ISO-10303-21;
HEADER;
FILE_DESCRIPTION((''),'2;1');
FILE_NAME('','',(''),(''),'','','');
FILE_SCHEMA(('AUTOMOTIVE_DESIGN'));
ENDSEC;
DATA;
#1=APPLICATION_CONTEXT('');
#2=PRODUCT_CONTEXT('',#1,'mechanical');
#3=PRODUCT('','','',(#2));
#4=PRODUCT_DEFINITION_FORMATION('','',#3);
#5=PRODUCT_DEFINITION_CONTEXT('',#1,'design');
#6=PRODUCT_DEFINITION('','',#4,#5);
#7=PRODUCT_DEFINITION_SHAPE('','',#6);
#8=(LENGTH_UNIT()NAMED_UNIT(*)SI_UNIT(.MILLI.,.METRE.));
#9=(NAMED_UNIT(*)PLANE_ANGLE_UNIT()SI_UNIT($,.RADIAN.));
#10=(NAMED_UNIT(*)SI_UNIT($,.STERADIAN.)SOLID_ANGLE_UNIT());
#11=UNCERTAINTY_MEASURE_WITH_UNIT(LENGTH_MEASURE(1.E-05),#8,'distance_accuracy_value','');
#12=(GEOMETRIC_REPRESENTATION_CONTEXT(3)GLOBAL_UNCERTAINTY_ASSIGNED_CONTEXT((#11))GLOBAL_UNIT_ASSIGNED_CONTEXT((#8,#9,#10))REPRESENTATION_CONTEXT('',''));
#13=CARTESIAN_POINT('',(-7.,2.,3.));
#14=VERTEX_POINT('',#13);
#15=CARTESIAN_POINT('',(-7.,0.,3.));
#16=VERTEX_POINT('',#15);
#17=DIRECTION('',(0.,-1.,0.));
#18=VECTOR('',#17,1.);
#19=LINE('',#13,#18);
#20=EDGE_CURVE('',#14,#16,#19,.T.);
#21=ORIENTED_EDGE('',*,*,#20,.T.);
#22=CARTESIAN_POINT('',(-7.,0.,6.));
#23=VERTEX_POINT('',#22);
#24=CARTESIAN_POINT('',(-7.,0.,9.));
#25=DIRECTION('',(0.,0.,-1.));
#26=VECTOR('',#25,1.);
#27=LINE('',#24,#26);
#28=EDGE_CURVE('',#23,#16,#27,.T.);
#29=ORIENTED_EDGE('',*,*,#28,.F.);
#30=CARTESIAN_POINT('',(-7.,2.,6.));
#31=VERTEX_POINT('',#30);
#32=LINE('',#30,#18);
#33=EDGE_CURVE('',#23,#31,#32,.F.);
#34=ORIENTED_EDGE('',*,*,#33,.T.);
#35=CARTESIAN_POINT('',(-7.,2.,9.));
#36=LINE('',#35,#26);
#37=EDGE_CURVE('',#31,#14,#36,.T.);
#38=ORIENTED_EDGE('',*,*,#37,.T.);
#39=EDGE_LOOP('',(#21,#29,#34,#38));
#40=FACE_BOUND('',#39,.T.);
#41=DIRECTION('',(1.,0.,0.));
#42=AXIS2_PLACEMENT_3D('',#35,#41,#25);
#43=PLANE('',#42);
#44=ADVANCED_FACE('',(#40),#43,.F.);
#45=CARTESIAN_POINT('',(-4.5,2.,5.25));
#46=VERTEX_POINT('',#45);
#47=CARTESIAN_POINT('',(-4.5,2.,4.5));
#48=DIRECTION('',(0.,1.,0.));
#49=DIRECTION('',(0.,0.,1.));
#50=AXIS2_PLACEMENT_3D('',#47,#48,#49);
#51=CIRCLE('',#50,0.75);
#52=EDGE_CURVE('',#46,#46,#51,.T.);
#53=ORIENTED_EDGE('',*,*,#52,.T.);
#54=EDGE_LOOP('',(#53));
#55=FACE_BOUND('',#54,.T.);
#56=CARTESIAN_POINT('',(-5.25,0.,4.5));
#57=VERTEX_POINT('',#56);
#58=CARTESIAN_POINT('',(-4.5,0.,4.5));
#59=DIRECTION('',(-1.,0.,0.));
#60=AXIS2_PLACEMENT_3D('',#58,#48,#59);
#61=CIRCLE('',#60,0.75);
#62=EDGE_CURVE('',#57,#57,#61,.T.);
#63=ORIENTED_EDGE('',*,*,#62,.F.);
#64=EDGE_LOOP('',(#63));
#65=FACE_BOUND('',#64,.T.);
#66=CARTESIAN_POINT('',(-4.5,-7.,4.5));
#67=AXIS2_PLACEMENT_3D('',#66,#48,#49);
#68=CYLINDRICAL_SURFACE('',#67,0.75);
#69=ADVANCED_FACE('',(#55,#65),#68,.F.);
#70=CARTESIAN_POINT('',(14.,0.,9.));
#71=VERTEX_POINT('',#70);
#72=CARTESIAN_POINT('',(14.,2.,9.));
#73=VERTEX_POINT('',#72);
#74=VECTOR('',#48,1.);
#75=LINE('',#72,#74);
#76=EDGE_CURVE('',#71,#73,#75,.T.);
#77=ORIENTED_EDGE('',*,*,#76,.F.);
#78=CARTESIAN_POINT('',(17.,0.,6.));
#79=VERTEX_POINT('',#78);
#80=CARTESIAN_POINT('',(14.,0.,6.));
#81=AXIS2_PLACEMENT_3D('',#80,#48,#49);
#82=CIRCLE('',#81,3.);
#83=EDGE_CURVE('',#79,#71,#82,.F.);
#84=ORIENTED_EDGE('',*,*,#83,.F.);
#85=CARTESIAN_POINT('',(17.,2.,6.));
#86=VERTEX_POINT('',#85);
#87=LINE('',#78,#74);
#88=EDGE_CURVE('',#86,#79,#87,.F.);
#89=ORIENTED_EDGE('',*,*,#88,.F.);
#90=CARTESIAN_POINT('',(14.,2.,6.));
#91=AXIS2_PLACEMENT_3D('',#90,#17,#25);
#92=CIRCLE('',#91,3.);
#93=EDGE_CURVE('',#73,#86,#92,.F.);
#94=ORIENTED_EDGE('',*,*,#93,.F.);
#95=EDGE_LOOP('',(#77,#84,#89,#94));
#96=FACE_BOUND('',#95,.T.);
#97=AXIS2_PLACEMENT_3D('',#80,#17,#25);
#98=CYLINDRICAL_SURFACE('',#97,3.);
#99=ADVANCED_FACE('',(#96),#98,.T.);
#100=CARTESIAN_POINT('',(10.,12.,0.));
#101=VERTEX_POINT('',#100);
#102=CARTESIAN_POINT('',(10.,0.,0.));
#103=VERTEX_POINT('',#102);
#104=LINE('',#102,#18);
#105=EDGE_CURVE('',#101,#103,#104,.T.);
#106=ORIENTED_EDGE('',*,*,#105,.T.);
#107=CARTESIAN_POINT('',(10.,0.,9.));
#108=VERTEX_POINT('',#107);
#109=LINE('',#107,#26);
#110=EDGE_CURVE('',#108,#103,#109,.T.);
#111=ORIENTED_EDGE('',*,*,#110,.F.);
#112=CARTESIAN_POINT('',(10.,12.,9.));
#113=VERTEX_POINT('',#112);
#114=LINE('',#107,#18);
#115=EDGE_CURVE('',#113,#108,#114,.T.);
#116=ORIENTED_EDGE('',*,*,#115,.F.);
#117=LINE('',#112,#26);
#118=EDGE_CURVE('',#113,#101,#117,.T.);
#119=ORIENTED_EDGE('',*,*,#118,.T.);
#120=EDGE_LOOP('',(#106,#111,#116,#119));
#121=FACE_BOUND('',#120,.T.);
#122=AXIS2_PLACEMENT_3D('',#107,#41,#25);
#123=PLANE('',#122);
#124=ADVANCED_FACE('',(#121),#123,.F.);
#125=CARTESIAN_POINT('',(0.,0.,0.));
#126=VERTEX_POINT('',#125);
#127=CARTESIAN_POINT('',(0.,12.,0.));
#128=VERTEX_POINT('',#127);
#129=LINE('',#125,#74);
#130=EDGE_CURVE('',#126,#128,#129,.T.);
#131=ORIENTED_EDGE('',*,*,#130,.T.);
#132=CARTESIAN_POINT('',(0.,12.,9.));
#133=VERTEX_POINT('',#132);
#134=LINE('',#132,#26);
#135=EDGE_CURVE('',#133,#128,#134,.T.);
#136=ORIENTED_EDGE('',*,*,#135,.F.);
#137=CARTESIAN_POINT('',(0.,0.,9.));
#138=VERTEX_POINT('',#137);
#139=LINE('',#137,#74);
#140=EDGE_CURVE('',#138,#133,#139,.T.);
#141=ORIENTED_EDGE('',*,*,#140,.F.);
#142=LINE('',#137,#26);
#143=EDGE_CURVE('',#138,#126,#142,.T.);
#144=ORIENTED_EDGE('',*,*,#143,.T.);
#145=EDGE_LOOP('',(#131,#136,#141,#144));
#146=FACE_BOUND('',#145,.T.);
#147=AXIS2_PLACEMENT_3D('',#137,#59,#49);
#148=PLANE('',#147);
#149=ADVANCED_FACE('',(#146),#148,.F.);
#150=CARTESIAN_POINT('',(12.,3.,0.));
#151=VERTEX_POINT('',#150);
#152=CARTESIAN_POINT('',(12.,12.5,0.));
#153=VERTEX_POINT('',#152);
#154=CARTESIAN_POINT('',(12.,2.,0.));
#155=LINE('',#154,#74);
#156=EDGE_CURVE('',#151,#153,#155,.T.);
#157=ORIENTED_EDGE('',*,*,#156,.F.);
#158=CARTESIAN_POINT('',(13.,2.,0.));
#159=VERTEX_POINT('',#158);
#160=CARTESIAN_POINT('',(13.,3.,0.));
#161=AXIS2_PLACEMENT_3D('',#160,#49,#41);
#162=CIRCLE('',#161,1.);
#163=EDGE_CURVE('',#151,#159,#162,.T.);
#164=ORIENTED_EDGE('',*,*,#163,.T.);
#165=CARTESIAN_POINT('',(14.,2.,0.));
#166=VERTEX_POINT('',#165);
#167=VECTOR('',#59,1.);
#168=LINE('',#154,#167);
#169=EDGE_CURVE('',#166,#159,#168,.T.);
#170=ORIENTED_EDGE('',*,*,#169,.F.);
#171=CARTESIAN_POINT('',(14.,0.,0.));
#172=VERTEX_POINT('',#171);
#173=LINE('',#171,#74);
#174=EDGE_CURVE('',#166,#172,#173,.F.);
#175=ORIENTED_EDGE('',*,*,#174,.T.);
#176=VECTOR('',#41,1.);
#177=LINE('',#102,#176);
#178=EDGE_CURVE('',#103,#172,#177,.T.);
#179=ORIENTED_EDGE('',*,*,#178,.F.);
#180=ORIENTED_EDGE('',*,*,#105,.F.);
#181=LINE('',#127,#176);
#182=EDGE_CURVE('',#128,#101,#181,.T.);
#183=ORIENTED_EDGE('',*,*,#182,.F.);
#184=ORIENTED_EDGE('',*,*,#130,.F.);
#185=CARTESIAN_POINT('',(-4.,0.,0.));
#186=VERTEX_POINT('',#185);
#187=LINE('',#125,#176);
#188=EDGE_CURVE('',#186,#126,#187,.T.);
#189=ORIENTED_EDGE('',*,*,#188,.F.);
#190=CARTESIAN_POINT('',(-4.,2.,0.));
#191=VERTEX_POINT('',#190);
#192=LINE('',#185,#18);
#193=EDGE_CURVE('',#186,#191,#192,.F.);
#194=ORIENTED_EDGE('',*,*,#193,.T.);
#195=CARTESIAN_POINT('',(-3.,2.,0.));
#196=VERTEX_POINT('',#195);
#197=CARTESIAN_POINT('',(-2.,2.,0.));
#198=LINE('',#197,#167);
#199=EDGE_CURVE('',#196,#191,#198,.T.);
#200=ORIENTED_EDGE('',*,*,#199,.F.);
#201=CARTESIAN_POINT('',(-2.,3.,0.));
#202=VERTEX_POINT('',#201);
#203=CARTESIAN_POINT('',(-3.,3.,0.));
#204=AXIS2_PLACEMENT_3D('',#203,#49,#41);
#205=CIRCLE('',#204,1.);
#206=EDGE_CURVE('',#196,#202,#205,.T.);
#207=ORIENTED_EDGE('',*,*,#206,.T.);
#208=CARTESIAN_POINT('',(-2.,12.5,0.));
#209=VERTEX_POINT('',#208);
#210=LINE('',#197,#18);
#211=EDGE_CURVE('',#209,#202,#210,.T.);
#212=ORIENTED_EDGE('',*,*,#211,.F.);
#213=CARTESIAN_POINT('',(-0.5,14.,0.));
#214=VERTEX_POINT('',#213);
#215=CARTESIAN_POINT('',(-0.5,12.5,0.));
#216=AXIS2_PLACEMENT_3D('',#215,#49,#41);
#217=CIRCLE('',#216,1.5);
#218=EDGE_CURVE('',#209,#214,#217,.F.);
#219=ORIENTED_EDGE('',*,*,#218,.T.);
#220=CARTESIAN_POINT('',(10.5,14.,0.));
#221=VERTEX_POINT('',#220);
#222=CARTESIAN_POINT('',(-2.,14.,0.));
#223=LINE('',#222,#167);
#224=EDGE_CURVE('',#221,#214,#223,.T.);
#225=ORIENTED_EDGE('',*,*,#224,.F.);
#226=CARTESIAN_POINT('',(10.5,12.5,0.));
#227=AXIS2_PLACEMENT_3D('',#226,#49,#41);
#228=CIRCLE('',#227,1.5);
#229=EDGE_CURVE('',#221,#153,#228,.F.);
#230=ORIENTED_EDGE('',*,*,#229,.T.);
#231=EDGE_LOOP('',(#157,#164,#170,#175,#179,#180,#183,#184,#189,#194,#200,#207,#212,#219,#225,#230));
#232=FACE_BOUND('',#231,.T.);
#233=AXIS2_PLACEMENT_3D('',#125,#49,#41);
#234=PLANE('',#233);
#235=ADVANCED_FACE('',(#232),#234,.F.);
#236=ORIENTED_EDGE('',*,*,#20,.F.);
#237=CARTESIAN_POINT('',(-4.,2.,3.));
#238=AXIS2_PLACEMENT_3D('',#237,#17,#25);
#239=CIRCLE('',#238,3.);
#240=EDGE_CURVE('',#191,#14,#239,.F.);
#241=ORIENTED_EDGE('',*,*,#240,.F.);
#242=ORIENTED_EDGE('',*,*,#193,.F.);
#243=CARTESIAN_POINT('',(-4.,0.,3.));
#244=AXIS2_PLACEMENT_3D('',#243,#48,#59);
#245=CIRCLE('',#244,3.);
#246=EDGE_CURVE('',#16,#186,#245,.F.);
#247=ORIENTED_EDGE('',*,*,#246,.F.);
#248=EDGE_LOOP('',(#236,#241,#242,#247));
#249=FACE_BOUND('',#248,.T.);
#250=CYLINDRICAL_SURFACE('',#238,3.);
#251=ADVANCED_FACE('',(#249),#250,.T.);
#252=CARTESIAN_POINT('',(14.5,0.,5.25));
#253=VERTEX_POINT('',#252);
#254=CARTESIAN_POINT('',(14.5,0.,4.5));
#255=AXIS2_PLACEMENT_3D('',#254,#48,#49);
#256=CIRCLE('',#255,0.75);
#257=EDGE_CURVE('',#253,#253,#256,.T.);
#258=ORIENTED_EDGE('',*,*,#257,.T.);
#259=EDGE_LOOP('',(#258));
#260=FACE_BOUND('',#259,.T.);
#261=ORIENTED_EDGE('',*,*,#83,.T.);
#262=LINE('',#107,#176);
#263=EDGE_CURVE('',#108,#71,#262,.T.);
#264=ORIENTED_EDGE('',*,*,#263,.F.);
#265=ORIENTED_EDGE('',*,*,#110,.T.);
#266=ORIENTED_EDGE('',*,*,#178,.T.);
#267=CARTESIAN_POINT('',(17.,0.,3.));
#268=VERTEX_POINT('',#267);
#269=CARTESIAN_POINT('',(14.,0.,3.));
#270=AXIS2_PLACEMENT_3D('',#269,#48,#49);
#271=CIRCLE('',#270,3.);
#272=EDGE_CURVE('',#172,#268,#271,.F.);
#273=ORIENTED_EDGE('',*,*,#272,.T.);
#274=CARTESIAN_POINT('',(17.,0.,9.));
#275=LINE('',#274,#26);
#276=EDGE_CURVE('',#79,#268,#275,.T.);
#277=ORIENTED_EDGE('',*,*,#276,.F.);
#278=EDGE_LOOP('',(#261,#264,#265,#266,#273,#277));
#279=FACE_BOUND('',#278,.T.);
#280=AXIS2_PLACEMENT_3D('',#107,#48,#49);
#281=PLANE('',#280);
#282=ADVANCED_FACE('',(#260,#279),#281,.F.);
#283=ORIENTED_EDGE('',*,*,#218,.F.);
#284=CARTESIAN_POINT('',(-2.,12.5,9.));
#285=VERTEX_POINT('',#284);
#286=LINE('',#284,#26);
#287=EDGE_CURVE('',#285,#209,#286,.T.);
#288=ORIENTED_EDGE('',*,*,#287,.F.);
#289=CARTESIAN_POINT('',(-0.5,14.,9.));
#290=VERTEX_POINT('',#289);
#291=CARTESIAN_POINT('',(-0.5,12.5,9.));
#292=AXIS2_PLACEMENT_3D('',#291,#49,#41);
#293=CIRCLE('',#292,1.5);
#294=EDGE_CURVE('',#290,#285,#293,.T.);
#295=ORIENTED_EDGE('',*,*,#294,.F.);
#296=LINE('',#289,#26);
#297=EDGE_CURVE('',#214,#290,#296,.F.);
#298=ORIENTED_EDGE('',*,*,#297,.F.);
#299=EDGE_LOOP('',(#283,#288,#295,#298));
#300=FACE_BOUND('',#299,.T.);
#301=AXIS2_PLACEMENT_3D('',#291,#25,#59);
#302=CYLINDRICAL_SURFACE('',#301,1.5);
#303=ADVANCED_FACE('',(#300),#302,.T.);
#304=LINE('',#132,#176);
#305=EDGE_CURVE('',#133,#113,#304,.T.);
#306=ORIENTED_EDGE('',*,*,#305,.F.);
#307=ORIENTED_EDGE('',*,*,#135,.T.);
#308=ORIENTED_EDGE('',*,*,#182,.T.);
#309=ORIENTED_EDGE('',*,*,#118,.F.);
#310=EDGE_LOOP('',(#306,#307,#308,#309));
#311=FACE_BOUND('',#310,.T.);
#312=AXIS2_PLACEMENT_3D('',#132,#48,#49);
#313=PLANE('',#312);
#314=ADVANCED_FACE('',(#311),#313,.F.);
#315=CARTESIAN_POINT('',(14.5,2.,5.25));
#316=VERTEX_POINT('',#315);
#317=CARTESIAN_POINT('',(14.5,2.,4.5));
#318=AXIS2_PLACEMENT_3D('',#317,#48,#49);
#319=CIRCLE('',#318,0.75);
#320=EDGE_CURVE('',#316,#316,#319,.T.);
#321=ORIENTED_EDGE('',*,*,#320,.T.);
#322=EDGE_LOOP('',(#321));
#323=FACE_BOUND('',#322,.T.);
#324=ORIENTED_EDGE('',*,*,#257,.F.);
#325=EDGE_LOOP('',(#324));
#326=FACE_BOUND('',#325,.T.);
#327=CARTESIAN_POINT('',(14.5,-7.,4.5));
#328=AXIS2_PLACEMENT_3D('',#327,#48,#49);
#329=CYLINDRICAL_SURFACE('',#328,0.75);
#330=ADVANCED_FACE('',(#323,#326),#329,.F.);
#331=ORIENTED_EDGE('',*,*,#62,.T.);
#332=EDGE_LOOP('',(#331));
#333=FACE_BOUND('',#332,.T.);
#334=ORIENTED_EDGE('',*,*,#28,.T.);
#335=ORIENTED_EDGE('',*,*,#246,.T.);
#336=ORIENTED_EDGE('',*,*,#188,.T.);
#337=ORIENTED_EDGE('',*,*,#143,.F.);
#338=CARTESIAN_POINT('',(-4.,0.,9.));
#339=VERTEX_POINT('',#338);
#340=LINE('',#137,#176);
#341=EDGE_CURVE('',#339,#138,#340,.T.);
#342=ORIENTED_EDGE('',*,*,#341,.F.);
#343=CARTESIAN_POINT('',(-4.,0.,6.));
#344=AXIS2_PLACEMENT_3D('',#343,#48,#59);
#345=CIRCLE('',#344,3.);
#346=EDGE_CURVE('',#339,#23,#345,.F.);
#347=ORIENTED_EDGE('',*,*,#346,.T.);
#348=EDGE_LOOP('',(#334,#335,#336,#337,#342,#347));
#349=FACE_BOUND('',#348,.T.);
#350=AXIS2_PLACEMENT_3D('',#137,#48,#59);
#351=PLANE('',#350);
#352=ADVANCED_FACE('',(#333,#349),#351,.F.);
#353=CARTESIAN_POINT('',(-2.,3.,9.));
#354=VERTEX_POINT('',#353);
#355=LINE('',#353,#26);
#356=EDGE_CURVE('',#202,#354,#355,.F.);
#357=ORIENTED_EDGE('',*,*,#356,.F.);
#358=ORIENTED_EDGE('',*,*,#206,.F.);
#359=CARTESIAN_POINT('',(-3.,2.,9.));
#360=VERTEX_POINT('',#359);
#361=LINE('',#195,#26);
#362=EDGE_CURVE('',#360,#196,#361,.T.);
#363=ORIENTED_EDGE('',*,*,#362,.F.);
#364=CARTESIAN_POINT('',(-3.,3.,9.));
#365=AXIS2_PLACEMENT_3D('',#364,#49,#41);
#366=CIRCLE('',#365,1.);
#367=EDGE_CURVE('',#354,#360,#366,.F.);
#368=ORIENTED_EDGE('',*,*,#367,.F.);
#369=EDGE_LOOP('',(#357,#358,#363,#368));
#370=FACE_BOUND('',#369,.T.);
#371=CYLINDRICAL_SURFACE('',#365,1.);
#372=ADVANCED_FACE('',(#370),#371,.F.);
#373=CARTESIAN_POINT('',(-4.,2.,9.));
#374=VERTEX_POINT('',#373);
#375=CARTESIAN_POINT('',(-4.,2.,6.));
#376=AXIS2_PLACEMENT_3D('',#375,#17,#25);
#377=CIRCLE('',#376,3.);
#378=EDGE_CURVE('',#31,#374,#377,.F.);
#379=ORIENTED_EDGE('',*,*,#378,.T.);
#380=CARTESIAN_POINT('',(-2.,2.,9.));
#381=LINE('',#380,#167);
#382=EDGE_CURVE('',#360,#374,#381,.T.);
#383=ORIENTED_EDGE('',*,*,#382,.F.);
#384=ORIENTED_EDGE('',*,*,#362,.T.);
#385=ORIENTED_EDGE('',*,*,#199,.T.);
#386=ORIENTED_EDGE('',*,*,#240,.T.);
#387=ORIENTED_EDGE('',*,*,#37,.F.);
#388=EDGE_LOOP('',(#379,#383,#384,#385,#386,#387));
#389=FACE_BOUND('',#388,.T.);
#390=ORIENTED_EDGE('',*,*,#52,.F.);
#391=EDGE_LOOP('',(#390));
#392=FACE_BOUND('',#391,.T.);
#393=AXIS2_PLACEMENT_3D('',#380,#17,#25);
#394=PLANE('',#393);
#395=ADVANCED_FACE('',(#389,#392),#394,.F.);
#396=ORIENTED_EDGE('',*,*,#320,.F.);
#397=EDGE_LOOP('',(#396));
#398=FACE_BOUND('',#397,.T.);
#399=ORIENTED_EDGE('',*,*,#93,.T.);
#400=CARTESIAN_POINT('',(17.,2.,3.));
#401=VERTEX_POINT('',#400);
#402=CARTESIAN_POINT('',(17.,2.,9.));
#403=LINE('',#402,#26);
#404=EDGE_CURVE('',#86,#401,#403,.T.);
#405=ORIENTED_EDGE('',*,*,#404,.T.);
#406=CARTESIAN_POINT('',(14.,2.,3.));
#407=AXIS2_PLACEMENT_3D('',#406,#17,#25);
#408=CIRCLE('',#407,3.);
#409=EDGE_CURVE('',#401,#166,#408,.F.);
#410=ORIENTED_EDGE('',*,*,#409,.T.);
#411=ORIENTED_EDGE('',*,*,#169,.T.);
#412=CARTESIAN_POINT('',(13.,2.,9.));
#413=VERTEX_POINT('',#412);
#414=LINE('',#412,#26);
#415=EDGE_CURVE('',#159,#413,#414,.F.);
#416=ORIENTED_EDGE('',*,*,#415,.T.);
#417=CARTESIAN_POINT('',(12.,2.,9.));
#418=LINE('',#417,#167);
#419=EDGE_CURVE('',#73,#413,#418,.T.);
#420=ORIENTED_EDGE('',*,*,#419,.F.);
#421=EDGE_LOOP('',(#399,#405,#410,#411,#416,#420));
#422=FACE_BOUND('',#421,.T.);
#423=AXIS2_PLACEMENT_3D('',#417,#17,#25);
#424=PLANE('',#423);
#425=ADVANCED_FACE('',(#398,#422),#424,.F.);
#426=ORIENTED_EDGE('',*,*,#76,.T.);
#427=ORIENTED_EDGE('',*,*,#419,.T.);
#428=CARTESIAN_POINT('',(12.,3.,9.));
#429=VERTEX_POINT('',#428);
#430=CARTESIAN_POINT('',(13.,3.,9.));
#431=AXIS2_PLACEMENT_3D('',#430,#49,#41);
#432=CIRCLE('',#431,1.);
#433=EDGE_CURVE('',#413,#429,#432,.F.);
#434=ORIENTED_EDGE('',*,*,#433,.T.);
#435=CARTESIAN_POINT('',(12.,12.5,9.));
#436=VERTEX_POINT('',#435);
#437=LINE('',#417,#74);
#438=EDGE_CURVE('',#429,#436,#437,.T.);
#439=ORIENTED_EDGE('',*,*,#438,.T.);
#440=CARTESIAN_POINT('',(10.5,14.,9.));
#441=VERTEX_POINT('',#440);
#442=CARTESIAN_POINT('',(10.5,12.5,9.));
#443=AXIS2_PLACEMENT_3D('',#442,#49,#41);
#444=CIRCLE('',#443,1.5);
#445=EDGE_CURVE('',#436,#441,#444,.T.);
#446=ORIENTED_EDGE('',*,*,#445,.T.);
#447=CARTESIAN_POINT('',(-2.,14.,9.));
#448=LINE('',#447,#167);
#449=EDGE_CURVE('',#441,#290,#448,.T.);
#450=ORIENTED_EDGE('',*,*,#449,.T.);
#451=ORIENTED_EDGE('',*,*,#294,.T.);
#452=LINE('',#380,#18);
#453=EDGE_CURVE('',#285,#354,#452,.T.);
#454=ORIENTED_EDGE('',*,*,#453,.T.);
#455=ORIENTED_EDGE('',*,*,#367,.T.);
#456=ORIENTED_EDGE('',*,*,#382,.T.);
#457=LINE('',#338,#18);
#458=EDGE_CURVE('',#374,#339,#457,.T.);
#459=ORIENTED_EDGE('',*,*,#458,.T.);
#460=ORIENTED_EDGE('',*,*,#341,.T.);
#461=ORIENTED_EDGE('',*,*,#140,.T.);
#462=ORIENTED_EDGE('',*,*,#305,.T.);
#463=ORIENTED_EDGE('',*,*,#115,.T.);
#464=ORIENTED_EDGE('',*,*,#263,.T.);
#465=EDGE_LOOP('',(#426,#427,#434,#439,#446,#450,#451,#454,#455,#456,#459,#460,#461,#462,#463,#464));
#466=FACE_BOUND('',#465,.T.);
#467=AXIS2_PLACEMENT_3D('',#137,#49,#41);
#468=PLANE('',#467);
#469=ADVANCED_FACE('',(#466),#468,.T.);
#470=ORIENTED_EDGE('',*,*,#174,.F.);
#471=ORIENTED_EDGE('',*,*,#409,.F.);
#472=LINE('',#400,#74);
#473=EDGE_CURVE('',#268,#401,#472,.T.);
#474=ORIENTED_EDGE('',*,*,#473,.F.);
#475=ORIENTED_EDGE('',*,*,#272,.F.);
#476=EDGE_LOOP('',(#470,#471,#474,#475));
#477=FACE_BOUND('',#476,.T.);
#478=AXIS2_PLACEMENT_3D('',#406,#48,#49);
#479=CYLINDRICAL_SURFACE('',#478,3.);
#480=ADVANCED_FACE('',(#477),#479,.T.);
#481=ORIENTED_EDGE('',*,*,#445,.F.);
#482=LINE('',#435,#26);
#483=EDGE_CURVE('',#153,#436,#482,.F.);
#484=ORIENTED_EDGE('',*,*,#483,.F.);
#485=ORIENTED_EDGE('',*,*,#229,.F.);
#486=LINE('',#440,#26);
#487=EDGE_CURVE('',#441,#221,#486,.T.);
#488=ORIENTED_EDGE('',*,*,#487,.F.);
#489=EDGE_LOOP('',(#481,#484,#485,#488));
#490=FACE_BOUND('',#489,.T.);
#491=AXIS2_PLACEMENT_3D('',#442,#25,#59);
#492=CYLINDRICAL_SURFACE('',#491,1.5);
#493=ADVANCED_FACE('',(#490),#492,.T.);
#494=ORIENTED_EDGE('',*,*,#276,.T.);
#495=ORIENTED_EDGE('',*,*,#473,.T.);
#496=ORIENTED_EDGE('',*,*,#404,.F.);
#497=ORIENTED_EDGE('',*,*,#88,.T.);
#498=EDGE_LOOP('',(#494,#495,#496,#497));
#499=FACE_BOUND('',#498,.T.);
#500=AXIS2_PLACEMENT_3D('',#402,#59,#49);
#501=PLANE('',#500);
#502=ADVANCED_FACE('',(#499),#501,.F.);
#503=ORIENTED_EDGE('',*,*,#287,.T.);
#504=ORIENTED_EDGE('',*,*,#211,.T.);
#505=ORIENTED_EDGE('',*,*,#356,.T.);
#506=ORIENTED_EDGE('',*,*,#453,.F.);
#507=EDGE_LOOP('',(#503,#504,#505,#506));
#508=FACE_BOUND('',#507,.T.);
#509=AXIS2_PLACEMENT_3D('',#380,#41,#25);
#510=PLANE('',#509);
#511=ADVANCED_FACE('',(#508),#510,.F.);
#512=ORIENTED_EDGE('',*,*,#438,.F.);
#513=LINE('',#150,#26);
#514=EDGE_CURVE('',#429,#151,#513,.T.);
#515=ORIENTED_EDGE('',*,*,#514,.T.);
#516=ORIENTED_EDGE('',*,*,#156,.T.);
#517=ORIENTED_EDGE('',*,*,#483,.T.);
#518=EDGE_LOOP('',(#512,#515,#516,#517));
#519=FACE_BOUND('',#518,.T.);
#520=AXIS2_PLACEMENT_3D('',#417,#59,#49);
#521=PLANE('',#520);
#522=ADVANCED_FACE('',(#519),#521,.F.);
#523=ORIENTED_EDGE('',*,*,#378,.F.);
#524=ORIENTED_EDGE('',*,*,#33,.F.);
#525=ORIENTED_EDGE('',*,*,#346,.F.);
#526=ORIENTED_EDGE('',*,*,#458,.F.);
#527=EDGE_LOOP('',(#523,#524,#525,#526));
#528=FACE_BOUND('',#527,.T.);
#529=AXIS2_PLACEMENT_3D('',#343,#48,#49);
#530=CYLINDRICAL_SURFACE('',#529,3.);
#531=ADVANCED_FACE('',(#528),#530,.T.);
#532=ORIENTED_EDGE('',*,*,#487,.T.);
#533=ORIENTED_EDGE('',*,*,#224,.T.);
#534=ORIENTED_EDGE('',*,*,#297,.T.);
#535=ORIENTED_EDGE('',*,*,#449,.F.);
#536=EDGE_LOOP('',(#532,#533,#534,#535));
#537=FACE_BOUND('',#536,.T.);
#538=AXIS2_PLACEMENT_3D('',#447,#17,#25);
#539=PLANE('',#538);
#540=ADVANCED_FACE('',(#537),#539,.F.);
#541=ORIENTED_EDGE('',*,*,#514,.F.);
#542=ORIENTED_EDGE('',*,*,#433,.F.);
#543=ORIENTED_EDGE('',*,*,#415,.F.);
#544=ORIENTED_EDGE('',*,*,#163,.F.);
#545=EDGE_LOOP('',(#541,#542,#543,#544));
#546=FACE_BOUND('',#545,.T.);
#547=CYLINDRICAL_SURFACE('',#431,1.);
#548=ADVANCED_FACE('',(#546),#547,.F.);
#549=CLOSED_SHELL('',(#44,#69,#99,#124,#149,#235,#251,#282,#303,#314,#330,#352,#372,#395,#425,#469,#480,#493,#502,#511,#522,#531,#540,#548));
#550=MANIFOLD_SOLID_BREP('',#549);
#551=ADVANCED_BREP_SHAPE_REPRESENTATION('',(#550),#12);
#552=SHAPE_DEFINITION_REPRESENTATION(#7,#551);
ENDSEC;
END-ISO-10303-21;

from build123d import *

# Parameters (mm, degrees)
SALIENTE_EXTRUIR1_DEPTH = 9
REDONDEO1_R             = 3
REDONDEO2_R             = 1.5
CROQUIS3_R              = 0.75
CORTAR_EXTRUIR1_DEPTH   = 9
REDONDEO3_R             = 1


with BuildPart() as part:
    # Croquis2 → Saliente-Extruir1 (new body)
    with BuildSketch(Plane.XY):
        Polygon((10, 0), (17, 0), (17, 2), (12, 2), (12, 14), (-2, 14), (-2, 2), (-7, 2), (-7, 0), (0, 0), (0, 12), (10, 12), align=None)
    extrude(amount=SALIENTE_EXTRUIR1_DEPTH)

    # Redondeo1
    redondeo1_edges = [part.edges().sort_by_distance(p)[0] for p in [
        (-7, 1, 0),
        (17, 1, 0),
        (17, 1, 9),
        (-7, 1, 9),
    ]]
    fillet(redondeo1_edges, radius=REDONDEO1_R)

    # Redondeo2
    redondeo2_edges = [part.edges().sort_by_distance(p)[0] for p in [
        (-2, 14, 4.5),
        (12, 14, 4.5),
    ]]
    fillet(redondeo2_edges, radius=REDONDEO2_R)

    # Croquis3 → Cortar-Extruir1 (cut)
    with BuildSketch(Plane(origin=(0, 2, 0), x_dir=(1, 0, 0), z_dir=(0, 1, 0))):
        with Locations(Location((-4.5, -4.5, 0), (0, 0, 270))):
            Circle(CROQUIS3_R)
        with Locations(Location((14.5, -4.5, 0), (0, 0, 270))):
            Circle(CROQUIS3_R)
    extrude(amount=-CORTAR_EXTRUIR1_DEPTH, mode=Mode.SUBTRACT)

    # Redondeo3
    redondeo3_edges = [part.edges().sort_by_distance(p)[0] for p in [
        (-2, 2, 4.5),
        (12, 2, 4.5),
    ]]
    fillet(redondeo3_edges, radius=REDONDEO3_R)


solid = part.part
